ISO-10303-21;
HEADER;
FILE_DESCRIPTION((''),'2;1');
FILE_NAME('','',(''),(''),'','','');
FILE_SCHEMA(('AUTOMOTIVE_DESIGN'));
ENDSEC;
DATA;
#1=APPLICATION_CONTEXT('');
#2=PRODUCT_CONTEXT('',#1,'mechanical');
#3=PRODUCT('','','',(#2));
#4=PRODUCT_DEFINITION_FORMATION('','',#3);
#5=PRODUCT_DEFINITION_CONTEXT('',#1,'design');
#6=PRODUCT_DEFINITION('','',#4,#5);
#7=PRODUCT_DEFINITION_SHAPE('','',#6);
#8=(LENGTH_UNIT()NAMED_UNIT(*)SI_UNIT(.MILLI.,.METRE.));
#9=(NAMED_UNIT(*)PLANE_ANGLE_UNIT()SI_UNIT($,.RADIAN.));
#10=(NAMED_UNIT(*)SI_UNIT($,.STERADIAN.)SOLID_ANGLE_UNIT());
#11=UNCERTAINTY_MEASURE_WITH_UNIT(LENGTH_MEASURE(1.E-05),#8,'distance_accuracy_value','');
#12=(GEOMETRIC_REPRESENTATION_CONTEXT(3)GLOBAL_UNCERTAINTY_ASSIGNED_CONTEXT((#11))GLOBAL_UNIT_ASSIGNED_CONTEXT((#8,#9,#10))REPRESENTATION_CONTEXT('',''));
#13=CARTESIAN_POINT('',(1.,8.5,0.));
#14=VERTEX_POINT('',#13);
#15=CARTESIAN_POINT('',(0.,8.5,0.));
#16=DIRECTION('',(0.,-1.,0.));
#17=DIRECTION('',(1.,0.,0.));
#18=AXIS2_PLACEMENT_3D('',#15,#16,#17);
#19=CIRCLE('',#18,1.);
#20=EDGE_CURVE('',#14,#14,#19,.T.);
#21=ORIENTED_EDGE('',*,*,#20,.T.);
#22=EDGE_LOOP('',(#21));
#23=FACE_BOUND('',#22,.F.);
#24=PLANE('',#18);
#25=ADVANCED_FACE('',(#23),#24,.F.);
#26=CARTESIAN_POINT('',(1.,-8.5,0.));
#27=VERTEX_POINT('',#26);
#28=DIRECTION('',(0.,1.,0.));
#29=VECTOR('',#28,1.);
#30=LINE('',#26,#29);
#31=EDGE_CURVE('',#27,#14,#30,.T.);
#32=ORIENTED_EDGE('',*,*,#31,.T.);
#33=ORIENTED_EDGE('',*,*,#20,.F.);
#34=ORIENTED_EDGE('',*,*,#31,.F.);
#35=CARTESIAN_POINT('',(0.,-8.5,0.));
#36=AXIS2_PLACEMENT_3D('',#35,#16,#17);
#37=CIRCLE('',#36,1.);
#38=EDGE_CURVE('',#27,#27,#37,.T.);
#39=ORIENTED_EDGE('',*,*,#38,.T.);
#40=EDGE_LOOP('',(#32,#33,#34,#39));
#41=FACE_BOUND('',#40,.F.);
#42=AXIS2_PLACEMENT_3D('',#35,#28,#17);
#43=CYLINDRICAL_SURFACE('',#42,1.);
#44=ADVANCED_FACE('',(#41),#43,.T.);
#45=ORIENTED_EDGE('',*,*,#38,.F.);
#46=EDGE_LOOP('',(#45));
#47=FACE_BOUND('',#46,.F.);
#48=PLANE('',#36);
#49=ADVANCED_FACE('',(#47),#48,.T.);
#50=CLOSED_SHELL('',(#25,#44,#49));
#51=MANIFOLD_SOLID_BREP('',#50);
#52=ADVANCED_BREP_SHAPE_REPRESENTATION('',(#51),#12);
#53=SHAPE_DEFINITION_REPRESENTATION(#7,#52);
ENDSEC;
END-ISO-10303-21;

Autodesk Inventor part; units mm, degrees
ref_plane "YZ Plane" through (0, 0, 0) normal (1, 0, 0) x (0, 1, 0)
ref_plane "XZ Plane" through (0, 0, 0) normal (0, 1, 0) x (-1, 0, 0)
ref_plane "XY Plane" through (0, 0, 0) normal (0, 0, 1) x (1, 0, 0)
sketch "Sketch1" plane through (0, 0, 0) normal (0, 0, 1) x (1, 0, 0)
  line L0 (0, 8.5) -> (0, -8.5)
  line L1 (0, -8.5) -> (1, -8.5)
  line L2 (1, -8.5) -> (1, 8.5)
  line L3 (1, 8.5) -> (0, 8.5)
  point P0 (0, 0)
  point P1 (0, 0)
  dimension "d1" = 2
  dimension "d5" = 17
revolve "Revolution1" add sketch "Sketch1" angle 360 about axis through (0, 8.5, 0) along (0, -1, 0)
properties part number "Locking Pin Lever"
